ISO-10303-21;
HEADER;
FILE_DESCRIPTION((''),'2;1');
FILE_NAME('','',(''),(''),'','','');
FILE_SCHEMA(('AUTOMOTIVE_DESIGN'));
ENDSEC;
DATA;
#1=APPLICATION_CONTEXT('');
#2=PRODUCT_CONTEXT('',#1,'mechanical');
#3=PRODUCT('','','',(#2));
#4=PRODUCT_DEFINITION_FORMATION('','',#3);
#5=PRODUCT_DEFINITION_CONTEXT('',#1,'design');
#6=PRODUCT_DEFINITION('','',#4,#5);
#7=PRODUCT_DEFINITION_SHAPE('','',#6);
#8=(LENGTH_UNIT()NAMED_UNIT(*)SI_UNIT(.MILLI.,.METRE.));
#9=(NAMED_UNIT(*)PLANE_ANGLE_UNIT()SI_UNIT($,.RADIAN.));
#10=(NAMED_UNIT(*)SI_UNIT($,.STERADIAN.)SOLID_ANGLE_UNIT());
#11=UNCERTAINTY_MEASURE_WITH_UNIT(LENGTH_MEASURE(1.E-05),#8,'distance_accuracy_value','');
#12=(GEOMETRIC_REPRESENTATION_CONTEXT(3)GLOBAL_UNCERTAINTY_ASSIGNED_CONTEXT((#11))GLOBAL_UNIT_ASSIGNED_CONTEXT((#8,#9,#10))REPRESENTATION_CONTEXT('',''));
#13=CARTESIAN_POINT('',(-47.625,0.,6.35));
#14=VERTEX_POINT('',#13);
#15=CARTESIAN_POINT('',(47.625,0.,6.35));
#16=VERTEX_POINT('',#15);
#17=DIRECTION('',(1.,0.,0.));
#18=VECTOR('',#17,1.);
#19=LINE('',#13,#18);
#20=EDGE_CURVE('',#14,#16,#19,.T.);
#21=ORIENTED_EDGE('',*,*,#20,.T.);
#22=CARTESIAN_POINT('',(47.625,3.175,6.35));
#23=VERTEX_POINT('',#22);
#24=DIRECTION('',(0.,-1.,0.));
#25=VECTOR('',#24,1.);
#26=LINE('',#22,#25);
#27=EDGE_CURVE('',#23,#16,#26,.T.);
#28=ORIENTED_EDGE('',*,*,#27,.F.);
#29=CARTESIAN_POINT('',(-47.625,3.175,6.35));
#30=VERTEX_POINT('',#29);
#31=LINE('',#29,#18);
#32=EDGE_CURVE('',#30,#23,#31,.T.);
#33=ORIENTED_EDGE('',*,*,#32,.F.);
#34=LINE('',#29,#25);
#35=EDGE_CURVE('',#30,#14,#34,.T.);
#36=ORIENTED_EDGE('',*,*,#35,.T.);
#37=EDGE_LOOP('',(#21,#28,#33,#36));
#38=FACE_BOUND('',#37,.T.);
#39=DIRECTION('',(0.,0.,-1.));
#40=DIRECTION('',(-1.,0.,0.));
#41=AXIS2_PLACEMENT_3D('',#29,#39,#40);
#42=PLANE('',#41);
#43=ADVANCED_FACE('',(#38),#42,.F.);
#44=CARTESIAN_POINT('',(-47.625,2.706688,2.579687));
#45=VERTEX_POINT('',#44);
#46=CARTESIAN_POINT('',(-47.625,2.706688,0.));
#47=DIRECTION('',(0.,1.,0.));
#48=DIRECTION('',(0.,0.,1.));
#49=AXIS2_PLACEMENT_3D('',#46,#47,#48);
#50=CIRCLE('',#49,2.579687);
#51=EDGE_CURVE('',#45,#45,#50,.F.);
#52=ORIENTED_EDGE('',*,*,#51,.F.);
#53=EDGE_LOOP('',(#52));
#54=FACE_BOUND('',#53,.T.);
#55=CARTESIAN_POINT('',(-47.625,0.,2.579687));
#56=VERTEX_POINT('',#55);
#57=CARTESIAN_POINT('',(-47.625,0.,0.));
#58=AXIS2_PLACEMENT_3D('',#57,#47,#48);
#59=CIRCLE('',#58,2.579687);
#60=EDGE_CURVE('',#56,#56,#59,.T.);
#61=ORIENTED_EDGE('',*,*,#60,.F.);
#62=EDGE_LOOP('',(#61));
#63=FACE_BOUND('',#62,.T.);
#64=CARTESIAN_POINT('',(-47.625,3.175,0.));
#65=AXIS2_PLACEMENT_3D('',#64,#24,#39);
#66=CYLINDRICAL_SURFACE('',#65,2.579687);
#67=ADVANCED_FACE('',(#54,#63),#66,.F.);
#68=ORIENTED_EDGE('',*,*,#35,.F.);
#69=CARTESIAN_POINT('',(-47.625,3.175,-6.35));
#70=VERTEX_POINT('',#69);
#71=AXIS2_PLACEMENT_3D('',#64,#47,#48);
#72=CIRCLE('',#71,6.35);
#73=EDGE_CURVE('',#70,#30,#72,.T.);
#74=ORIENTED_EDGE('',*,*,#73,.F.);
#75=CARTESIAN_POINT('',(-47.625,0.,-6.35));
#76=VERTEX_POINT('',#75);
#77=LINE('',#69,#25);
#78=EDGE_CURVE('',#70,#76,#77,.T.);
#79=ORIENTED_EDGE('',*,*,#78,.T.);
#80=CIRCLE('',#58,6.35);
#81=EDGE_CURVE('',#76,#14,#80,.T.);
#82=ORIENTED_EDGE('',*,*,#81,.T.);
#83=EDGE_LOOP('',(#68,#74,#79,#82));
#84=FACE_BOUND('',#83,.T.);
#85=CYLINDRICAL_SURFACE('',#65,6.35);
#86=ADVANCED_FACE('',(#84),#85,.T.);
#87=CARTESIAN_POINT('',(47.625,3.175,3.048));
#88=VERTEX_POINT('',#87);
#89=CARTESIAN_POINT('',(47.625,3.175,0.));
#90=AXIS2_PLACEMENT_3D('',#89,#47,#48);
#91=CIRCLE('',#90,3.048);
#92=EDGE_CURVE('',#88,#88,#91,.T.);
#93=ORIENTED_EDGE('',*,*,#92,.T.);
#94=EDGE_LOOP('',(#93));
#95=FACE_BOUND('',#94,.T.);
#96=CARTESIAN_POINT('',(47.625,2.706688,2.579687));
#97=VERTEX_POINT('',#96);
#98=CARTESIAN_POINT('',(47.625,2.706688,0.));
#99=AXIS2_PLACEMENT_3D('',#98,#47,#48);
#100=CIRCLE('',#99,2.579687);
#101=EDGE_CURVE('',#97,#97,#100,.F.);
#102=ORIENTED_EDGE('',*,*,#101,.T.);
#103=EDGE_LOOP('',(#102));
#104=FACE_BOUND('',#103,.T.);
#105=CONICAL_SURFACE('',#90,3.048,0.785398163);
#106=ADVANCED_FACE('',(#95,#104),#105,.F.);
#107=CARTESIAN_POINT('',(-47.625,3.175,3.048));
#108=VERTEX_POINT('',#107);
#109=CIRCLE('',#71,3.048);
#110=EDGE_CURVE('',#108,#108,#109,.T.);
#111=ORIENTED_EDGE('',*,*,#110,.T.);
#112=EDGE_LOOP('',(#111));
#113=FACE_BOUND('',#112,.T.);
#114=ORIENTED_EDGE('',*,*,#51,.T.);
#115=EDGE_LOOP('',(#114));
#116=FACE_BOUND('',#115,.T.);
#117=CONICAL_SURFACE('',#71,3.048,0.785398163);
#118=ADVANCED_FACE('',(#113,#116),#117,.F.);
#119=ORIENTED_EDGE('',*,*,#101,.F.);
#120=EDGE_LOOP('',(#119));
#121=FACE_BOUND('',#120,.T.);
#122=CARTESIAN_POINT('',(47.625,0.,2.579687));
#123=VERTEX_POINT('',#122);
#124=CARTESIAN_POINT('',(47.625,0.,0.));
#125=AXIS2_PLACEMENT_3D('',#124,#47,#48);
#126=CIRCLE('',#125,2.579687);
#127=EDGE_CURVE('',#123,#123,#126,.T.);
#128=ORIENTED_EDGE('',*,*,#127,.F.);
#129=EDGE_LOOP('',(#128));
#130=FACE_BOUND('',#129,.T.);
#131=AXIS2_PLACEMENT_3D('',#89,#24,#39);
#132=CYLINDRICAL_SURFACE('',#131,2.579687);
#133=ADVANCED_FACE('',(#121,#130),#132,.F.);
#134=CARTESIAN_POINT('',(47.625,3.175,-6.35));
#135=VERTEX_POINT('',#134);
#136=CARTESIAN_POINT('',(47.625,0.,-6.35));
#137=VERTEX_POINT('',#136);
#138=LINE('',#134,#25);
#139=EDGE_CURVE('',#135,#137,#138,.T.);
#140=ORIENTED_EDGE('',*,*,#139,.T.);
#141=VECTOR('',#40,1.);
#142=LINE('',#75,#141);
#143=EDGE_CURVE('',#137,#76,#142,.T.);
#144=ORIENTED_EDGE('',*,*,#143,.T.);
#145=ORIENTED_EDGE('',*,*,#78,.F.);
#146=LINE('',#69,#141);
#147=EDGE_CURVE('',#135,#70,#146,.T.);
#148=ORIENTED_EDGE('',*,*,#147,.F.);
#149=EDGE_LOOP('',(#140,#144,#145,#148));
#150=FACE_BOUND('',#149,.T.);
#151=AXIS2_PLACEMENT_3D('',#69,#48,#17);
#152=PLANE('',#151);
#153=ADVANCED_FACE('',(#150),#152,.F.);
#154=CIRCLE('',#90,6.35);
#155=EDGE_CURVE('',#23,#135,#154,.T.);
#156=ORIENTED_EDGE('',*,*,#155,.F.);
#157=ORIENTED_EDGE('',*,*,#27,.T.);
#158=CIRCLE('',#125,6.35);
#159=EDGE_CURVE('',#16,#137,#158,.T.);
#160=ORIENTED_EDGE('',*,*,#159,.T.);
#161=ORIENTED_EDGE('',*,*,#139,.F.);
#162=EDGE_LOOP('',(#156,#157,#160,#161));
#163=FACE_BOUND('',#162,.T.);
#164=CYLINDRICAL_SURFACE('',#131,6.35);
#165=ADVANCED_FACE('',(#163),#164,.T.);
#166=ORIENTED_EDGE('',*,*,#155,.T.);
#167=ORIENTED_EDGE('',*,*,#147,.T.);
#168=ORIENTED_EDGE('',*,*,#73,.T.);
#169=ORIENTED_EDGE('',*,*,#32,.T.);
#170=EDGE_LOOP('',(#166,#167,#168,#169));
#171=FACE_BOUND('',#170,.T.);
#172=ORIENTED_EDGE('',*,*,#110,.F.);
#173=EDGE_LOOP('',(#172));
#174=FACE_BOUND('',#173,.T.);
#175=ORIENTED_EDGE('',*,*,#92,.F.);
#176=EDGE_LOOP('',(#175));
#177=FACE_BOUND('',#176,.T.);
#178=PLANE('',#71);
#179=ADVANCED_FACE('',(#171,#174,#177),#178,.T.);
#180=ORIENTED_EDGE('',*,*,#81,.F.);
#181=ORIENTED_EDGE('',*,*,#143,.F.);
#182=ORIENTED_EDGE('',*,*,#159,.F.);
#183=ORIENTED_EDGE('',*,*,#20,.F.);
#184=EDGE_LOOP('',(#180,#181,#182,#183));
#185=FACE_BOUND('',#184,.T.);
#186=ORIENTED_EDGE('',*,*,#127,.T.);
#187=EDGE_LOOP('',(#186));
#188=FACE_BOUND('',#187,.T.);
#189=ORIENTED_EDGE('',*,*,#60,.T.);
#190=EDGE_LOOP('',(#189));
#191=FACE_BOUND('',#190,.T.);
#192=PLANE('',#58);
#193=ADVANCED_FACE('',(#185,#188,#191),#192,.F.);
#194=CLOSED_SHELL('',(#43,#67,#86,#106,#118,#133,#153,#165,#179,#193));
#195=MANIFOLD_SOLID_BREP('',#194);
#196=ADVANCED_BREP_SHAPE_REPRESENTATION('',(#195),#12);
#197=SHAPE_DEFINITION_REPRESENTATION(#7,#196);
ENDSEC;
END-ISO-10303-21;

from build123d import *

# Parameters (mm, degrees)
SKETCH1_R                        = 2.5796875
BOSS_EXTRUDE1_DEPTH              = 3.175
F_10_32_TAPPED_HOLE3_D           = 4.0386
F_10_32_TAPPED_HOLE3_CSINK_D     = 6.096
F_10_32_TAPPED_HOLE3_CSINK_ANGLE = 90


with BuildPart() as part:
    # Sketch1 → Boss-Extrude1 (new body)
    with BuildSketch(Plane(origin=(0, 0, 0), x_dir=(1, 0, 0), z_dir=(0, 1, 0))):
        with BuildLine():
            Line((-47.625, 6.35), (47.625, 6.35))
            ThreePointArc((47.625, 6.35), (53.975, 0), (47.625, -6.35))
            Line((47.625, -6.35), (-47.625, -6.35))
            ThreePointArc((-47.625, -6.35), (-53.975, 0), (-47.625, 6.35))
        make_face()
        with Locations((47.625, 0)):
            Circle(SKETCH1_R, mode=Mode.SUBTRACT)
        with Locations((-47.625, 0)):
            Circle(SKETCH1_R, mode=Mode.SUBTRACT)
    extrude(amount=BOSS_EXTRUDE1_DEPTH)

    # #10-32 Tapped Hole3 (through all)
    with Locations(Plane(origin=(0, 3.175, 0), x_dir=(1, 0, 0), z_dir=(0, 1, 0))):
        with Locations((-47.625, 0), (47.625, 0)):
            CounterSinkHole(F_10_32_TAPPED_HOLE3_D / 2, F_10_32_TAPPED_HOLE3_CSINK_D / 2, counter_sink_angle=F_10_32_TAPPED_HOLE3_CSINK_ANGLE)


solid = part.part
